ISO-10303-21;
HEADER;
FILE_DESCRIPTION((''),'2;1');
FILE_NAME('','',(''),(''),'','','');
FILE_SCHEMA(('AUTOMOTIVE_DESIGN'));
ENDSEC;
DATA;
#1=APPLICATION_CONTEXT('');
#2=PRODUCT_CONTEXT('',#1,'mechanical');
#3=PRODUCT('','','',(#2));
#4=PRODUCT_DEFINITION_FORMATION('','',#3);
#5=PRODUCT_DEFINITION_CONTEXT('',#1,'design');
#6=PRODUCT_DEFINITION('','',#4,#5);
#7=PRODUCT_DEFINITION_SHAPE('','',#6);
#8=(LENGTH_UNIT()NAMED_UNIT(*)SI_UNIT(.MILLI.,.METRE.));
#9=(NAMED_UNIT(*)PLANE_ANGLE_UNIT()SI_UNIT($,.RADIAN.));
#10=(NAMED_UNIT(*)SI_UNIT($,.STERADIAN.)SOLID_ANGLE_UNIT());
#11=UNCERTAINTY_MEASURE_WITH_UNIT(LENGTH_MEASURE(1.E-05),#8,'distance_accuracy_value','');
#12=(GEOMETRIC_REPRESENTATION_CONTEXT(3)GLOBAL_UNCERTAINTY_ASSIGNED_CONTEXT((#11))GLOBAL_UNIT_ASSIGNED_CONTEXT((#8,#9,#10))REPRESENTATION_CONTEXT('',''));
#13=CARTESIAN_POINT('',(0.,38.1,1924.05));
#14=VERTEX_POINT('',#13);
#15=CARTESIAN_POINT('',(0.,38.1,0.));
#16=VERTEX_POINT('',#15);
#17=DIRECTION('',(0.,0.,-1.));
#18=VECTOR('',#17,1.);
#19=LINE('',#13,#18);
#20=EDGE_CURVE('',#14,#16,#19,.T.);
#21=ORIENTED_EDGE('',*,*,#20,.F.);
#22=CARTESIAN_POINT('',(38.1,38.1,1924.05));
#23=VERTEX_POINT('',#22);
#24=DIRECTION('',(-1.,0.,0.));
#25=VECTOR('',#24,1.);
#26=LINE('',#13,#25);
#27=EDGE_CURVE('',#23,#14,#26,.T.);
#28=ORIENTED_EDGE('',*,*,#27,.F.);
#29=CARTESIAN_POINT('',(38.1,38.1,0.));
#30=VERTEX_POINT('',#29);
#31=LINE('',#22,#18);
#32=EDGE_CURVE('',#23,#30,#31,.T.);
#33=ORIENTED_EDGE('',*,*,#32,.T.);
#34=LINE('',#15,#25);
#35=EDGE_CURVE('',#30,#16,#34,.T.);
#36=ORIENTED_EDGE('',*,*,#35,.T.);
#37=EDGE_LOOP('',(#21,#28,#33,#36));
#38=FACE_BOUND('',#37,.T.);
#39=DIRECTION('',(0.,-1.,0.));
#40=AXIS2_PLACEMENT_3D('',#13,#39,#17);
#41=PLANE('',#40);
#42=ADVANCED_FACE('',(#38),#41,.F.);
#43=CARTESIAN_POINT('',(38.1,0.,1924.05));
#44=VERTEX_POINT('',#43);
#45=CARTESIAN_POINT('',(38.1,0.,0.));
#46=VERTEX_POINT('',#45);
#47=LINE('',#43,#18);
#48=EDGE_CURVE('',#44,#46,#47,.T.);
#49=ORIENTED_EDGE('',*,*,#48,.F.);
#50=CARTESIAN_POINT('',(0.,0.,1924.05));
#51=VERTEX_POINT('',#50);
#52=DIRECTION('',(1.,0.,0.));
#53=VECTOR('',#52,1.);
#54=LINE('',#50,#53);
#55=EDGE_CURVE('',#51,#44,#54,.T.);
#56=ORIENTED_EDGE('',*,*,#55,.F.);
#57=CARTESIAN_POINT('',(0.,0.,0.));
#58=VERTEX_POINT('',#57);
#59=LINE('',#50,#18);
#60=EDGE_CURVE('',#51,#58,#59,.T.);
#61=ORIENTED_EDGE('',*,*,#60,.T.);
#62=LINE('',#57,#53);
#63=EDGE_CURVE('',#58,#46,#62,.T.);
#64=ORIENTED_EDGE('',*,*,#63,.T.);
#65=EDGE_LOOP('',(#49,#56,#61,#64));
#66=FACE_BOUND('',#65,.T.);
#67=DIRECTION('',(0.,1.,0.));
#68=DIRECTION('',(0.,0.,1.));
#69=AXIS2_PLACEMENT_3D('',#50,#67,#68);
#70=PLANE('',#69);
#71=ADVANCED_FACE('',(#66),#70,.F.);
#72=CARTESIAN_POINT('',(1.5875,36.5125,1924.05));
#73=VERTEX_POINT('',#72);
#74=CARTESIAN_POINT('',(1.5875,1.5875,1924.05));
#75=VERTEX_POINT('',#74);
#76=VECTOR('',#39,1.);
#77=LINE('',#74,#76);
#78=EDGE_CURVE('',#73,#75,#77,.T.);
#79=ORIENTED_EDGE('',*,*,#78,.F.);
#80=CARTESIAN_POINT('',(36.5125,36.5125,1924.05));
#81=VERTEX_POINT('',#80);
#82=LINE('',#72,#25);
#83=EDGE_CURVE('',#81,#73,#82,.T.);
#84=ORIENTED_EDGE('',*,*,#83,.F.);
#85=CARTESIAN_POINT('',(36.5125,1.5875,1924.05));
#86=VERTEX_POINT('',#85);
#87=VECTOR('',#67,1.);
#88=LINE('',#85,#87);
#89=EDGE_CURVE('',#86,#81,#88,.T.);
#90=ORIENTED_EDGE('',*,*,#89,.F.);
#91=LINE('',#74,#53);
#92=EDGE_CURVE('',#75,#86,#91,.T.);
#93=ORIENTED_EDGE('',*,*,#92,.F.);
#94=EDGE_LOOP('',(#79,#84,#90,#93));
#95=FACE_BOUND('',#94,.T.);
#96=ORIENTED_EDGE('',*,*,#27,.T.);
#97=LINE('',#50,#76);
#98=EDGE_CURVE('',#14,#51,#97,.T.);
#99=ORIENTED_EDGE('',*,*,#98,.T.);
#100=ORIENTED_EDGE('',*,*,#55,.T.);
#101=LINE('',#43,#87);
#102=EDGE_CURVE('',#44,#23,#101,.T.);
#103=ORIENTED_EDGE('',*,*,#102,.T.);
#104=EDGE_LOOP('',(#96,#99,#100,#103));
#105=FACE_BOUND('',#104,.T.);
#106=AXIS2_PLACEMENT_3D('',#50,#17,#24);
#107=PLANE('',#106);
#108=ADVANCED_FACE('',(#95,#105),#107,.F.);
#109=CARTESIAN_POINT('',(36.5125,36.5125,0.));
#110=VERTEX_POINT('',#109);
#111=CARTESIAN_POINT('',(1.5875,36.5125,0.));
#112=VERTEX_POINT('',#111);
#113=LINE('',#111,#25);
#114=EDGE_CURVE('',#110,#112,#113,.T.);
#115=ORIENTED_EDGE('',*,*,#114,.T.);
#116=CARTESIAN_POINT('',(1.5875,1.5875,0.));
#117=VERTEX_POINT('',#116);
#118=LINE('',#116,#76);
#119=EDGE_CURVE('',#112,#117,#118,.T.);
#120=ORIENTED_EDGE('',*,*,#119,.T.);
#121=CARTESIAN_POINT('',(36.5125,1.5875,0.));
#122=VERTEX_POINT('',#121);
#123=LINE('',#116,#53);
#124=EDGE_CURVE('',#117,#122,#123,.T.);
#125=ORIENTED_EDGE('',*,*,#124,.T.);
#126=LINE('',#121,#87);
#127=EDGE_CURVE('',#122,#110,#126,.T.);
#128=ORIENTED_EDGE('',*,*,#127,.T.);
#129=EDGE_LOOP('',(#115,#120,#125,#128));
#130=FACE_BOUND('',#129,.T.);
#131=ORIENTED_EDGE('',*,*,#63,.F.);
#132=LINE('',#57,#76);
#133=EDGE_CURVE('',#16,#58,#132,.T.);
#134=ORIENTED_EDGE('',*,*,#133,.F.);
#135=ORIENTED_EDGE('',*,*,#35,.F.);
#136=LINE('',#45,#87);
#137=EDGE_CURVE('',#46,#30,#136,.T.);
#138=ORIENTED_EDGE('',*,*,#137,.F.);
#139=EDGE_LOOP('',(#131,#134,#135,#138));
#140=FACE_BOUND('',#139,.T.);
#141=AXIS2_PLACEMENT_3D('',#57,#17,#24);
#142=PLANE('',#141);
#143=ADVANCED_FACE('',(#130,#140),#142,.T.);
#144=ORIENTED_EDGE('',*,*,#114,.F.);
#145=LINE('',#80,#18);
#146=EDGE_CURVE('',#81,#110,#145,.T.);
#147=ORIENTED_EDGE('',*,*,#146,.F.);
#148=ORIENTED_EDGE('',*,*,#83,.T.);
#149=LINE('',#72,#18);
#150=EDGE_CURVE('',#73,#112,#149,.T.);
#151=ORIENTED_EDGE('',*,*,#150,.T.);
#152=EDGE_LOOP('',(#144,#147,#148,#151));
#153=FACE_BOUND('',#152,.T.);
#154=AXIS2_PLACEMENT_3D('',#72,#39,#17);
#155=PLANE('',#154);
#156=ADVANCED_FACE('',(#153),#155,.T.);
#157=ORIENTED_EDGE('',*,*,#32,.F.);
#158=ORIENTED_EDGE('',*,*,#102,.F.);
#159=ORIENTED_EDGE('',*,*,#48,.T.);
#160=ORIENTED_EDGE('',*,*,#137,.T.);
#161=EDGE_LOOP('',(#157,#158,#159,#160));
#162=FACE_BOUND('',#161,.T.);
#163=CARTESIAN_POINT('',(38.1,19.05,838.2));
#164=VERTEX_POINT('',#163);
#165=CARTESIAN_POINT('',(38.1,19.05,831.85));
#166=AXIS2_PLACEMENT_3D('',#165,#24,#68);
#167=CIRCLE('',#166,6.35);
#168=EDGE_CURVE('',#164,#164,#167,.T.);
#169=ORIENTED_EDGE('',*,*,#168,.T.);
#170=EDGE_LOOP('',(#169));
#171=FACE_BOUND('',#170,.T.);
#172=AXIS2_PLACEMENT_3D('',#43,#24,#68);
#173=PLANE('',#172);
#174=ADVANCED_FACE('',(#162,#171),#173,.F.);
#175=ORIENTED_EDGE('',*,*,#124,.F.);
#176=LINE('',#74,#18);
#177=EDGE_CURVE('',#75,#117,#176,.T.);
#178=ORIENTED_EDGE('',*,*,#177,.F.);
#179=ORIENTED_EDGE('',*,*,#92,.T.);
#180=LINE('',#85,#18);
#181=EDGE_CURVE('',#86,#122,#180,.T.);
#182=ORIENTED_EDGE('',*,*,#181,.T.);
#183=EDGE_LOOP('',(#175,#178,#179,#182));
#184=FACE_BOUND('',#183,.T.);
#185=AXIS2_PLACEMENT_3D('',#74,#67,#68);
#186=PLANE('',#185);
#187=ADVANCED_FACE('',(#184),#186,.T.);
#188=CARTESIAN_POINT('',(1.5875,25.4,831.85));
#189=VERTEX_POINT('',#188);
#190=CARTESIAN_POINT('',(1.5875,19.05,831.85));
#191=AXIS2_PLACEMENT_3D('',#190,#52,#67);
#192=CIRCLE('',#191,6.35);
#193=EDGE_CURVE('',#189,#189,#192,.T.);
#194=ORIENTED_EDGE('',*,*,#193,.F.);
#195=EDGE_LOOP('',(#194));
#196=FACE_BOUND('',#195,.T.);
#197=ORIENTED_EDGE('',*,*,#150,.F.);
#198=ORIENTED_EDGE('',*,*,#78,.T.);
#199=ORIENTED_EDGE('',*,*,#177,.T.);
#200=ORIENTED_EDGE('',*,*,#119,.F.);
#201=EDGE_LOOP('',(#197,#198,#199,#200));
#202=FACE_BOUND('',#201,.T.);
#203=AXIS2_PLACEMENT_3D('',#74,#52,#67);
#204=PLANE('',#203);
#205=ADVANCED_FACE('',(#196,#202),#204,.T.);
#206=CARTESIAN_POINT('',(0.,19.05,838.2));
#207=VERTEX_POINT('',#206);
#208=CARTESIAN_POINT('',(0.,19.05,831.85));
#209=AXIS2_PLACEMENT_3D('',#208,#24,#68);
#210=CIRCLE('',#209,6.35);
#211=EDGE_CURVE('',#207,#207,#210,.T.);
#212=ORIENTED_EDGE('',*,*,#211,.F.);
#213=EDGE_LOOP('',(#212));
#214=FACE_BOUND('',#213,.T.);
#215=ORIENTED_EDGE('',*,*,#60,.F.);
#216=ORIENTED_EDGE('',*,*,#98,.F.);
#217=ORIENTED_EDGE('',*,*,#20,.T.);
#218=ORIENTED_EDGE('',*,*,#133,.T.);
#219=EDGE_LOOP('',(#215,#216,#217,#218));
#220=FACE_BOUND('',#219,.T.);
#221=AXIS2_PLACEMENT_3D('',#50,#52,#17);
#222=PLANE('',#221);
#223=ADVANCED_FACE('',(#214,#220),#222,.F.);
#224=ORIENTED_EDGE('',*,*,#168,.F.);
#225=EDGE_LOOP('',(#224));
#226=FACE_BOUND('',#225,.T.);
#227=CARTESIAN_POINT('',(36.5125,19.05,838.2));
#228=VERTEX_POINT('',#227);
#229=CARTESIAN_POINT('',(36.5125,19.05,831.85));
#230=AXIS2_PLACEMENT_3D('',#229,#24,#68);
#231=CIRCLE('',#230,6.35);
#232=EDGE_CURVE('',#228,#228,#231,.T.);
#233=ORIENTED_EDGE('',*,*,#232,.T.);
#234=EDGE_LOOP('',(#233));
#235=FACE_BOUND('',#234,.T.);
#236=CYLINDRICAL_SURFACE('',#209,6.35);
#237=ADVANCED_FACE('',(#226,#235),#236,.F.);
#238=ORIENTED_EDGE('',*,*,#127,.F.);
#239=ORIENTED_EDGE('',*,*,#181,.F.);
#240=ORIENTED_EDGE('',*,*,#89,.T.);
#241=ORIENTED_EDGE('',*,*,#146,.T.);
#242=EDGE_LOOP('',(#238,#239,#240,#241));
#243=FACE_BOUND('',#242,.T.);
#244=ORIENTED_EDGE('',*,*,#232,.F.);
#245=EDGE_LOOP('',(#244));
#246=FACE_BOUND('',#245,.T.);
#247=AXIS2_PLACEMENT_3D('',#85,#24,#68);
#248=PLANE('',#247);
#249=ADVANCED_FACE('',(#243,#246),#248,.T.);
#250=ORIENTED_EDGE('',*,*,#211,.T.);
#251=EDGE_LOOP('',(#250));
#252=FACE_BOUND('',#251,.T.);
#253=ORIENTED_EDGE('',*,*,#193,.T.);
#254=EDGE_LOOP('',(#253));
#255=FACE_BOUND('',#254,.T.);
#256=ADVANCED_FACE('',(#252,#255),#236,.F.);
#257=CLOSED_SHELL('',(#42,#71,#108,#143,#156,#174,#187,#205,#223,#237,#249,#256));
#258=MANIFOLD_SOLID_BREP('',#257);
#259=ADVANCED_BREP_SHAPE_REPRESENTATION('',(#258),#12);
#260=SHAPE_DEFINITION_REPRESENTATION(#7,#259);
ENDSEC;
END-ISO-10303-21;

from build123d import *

# Parameters (mm, degrees)
SKETCH2_W                  = 38.1
SKETCH2_H                  = 38.1
SKETCH2_W_2                = 34.925
SKETCH2_H_2                = 34.925
BOSS_EXTRUDE1_DEPTH        = 1924.05
F_1_2_0_5_DIAMETER_HOLE1_D = 12.7


with BuildPart() as part:
    # Sketch2 → Boss-Extrude1 (new body)
    with BuildSketch(Plane.XY):
        with Locations((19.05, 19.05)):
            Rectangle(SKETCH2_W, SKETCH2_H)
        with Locations((19.05, 19.05)):
            Rectangle(SKETCH2_W_2, SKETCH2_H_2, mode=Mode.SUBTRACT)
    extrude(amount=BOSS_EXTRUDE1_DEPTH)

    # 1/2 (0.5) Diameter Hole1 (through all)
    with Locations(Plane.ZY):
        with Locations((831.85, 19.05)):
            Hole(F_1_2_0_5_DIAMETER_HOLE1_D / 2)


solid = part.part
